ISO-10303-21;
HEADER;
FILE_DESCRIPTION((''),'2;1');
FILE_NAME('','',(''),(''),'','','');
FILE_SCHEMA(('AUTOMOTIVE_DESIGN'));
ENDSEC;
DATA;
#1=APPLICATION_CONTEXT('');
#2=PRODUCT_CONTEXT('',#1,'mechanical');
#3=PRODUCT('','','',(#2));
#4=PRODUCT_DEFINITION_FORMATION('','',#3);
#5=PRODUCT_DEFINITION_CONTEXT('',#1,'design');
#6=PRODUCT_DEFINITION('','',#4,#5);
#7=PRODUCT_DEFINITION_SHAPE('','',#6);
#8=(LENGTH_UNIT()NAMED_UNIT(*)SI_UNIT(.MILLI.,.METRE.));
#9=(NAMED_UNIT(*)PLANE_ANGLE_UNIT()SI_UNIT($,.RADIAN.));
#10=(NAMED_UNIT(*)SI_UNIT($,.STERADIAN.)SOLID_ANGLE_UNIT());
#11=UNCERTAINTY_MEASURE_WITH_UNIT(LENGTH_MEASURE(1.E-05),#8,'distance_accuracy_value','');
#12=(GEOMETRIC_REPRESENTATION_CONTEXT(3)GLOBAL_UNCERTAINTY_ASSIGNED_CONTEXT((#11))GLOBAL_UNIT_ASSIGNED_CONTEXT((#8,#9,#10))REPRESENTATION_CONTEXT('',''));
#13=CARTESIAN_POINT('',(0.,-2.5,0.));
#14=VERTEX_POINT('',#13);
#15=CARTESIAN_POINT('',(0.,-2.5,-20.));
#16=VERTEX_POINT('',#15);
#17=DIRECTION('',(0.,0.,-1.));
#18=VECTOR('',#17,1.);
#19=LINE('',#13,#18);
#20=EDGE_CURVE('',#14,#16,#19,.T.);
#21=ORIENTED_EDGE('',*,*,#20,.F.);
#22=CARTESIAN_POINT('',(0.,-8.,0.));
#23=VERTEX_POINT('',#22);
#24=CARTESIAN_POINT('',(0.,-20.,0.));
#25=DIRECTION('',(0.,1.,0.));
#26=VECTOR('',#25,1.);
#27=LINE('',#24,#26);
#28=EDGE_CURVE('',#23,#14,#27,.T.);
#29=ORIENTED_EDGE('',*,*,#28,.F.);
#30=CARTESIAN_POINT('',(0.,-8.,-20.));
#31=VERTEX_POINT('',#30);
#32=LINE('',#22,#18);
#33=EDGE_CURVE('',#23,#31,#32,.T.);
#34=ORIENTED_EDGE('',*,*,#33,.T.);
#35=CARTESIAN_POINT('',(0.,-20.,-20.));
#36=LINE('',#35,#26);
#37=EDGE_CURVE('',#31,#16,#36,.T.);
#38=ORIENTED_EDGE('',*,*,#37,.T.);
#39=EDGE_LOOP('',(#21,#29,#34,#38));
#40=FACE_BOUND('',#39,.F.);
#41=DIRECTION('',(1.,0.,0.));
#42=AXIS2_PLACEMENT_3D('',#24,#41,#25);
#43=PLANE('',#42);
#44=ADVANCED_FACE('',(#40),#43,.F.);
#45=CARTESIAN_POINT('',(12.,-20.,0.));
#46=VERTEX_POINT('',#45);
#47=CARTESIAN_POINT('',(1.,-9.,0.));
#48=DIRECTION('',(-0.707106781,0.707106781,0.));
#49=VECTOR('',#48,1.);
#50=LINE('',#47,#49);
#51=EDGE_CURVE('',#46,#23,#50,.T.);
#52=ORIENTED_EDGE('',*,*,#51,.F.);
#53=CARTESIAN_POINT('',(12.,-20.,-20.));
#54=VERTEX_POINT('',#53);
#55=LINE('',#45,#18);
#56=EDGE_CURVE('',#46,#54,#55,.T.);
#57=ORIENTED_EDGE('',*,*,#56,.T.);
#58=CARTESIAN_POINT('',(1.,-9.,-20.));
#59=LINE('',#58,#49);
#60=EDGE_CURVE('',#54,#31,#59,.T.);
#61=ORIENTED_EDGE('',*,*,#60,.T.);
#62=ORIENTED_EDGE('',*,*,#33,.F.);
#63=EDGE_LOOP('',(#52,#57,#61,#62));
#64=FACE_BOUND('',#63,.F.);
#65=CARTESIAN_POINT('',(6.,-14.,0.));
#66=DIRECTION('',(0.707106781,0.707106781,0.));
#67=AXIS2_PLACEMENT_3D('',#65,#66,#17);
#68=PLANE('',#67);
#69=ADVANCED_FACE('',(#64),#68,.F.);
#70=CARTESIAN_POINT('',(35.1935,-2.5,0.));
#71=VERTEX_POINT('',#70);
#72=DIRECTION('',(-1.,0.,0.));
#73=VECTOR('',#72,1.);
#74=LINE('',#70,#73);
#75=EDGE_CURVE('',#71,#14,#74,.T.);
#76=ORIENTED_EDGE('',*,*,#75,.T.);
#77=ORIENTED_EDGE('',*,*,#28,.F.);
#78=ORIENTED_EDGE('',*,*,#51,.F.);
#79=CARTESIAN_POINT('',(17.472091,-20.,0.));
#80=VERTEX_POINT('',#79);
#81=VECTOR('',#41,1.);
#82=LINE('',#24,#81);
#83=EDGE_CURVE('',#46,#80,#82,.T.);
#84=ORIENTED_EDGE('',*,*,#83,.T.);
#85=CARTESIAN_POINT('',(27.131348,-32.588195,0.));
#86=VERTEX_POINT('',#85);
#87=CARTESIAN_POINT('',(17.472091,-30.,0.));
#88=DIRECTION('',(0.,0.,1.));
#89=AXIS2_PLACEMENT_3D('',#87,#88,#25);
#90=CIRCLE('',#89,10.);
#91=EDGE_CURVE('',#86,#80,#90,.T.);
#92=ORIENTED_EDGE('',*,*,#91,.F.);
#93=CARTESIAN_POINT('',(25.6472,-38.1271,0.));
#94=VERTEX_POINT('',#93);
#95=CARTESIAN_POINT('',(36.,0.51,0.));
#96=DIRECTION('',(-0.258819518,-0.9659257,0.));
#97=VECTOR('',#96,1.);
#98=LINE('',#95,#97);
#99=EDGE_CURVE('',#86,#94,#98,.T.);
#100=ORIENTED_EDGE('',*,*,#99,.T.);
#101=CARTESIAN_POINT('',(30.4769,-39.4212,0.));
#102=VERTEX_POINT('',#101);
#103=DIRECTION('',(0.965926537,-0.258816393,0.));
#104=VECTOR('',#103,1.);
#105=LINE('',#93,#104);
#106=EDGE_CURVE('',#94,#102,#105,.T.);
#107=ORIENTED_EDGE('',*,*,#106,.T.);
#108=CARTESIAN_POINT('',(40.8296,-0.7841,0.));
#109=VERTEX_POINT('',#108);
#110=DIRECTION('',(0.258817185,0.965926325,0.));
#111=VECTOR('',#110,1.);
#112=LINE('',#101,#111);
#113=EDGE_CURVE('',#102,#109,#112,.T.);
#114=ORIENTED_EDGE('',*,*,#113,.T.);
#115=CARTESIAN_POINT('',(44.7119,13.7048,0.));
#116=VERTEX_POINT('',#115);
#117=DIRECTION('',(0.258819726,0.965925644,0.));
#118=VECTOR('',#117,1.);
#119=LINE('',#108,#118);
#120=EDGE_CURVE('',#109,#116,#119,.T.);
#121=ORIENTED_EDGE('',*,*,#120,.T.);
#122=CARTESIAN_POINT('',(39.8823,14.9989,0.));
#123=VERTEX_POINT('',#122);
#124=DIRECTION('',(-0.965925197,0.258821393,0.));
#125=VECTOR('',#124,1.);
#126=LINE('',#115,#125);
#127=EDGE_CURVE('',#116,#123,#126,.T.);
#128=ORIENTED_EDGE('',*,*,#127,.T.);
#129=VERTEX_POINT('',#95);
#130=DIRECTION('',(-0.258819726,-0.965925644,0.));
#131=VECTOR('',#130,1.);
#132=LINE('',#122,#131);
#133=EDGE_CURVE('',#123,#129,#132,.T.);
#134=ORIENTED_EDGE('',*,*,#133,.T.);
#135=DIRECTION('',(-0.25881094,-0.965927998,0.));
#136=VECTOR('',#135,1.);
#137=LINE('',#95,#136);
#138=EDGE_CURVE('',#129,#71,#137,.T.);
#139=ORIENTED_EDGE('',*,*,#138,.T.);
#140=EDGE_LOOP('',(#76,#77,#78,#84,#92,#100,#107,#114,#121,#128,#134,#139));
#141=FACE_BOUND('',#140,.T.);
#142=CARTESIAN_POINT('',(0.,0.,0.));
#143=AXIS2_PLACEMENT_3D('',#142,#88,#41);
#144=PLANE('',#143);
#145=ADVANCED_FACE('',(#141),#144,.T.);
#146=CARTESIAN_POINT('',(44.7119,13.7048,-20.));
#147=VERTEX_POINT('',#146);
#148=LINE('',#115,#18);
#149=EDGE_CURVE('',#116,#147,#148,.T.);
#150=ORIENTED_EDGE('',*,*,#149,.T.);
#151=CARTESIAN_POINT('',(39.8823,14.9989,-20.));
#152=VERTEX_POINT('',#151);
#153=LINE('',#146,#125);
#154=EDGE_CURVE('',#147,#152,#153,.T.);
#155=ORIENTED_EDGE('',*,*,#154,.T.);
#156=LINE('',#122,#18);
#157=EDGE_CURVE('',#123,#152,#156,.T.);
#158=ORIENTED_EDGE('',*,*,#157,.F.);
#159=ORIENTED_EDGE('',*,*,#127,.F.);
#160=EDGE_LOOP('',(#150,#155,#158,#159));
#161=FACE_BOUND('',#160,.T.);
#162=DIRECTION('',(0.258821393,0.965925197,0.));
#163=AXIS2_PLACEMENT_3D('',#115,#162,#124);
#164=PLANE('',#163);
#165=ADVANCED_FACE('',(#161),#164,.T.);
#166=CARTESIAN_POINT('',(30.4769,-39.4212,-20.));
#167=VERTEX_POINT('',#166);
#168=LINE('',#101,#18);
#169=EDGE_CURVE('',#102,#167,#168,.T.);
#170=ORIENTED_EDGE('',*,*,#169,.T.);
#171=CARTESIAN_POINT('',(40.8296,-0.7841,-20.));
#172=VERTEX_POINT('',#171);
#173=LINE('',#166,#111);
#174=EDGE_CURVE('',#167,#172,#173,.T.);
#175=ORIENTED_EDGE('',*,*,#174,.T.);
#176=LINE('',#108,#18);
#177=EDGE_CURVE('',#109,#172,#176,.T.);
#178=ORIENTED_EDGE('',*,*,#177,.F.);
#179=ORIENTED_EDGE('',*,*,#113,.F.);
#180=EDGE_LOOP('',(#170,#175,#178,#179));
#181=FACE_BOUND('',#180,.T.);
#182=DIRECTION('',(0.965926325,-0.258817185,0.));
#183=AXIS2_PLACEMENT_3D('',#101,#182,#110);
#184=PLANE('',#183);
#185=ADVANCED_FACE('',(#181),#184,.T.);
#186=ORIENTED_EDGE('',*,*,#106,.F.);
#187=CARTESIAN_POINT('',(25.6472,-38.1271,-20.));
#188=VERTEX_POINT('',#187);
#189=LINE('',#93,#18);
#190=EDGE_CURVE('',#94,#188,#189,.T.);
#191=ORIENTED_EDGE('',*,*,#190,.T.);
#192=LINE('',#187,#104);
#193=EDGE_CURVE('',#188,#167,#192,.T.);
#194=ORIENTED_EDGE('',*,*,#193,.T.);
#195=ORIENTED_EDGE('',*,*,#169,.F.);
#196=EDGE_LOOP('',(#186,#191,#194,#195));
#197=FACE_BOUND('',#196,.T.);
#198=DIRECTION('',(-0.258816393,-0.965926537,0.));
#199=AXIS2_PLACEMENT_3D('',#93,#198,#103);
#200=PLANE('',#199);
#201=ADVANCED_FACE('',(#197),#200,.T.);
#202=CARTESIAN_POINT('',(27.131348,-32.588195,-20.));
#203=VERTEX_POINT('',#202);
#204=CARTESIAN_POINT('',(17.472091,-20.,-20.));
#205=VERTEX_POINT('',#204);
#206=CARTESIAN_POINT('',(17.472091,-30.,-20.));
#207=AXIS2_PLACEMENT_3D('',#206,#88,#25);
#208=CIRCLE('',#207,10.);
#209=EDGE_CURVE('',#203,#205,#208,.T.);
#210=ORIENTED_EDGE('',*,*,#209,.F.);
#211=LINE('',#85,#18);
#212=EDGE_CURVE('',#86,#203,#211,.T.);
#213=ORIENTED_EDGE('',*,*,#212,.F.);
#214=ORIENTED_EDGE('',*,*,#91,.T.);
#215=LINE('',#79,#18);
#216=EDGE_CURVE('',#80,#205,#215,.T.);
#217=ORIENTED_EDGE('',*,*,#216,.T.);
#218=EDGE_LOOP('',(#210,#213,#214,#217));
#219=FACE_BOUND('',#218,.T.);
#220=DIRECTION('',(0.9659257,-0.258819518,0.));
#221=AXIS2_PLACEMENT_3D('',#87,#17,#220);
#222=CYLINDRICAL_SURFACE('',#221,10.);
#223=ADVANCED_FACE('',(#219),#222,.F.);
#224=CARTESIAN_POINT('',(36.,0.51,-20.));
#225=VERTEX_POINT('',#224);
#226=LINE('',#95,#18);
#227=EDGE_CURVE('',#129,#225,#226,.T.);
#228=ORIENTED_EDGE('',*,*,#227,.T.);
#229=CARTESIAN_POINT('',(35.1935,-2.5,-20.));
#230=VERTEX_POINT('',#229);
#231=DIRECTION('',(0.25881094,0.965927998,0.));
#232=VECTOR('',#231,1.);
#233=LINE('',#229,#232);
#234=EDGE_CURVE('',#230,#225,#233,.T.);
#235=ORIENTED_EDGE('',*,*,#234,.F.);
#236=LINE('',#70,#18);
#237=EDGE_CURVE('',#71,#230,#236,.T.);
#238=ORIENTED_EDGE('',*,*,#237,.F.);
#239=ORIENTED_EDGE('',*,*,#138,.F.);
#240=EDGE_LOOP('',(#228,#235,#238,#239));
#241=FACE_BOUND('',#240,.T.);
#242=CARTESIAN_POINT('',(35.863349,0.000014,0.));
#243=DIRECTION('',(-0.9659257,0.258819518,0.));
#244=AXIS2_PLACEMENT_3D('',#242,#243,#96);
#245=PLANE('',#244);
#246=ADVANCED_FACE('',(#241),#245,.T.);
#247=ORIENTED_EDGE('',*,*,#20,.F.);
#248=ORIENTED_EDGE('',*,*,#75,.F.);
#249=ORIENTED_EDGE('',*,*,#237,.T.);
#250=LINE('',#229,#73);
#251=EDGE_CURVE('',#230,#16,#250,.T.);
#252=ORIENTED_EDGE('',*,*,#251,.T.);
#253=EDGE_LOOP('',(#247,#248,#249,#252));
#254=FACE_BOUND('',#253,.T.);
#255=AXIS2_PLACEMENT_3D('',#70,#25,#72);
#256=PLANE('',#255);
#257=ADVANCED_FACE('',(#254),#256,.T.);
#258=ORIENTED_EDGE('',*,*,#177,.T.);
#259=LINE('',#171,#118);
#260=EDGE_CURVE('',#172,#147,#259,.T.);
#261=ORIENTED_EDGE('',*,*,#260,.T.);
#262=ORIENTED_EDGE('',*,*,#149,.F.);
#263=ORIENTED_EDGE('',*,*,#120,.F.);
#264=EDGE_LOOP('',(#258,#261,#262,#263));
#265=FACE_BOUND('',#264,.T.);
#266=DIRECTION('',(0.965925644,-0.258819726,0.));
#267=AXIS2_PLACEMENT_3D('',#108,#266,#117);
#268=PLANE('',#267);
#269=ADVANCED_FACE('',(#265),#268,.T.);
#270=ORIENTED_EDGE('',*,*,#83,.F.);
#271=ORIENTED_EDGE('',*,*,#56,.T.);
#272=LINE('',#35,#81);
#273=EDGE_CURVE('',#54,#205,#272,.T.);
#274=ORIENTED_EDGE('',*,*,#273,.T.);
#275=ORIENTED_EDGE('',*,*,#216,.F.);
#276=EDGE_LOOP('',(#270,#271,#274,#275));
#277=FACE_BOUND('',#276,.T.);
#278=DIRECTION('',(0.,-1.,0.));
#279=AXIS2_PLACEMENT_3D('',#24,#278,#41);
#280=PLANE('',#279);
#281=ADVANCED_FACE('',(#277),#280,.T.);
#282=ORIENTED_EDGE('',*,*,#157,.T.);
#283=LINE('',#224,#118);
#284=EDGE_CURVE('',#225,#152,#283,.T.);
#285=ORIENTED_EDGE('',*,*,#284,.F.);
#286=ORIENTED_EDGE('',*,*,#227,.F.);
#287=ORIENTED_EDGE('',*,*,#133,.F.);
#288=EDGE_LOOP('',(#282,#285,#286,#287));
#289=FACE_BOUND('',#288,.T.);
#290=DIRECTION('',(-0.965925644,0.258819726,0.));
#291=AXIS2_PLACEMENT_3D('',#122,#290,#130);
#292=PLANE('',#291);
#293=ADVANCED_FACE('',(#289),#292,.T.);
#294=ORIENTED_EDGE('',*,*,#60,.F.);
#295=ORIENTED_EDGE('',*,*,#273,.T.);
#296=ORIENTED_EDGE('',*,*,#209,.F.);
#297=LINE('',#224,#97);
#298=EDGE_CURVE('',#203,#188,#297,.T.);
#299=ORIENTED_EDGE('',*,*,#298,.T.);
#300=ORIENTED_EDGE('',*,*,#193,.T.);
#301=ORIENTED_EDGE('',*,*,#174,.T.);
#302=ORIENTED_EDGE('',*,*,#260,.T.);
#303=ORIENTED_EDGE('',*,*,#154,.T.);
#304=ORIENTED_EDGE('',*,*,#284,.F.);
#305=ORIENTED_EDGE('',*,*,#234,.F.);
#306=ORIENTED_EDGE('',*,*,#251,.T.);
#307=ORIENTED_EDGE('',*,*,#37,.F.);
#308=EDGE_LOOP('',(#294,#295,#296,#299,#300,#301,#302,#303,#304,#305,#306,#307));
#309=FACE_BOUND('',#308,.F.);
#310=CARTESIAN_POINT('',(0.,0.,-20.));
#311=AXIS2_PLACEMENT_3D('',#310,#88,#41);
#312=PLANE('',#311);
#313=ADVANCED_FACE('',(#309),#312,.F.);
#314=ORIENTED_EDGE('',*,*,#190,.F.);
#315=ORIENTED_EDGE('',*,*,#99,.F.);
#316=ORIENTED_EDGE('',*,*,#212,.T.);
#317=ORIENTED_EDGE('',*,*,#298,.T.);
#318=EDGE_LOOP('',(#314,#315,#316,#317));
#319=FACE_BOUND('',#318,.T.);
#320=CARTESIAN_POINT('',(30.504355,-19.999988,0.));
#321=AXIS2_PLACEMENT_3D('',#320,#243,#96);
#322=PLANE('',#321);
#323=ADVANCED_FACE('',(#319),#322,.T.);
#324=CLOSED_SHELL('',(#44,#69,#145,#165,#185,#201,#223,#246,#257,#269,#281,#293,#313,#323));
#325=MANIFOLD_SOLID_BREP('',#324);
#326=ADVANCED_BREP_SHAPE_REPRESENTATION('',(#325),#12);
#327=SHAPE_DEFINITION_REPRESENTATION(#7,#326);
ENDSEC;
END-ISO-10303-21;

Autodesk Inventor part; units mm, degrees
ref_plane "YZ Plane" through (0, 0, 0) normal (1, 0, 0) x (0, 1, 0)
sketch "Sketch1" plane through (0, 0, 0) normal (0, 0, 1) x (1, 0, 0)
  line L0 (36, 0.51) -> (25.6472, -38.1271)
  line L1 (36, 0.51) -> (76, 0.51) construction
  line L2 (36, 0.51) -> (25.6472, -38.1271) construction
  line L3 (25.6472, -38.1271) -> (30.4769, -39.4212)
  line L4 (30.4769, -39.4212) -> (40.8296, -0.7841)
  line L5 (40.8296, -0.7841) -> (36, 0.51)
  line L6 (36, 0.51) -> (40.8296, -0.7841)
  line L7 (40.8296, -0.7841) -> (44.7119, 13.7048)
  line L8 (44.7119, 13.7048) -> (39.8823, 14.9989)
  line L9 (39.8823, 14.9989) -> (36, 0.51)
  arc A0 (36, -1.5) -> (26, 8.5) centre (26, -1.5) ccw construction
  line L10 (39.0787, 12) -> (34.0787, 12)
  line L11 (34.0787, 12) -> (34.0787, 9)
  line L12 (34.0787, 9) -> (38.2749, 9)
  line L13 (14, -12.5) -> (26, -12.5) construction
  line L14 (0, -20) -> (30.5044, -20)
  line L15 (30.5044, -20) -> (35.8634, 0)
  line L16 (35.1935, -2.5) -> (0, -2.5)
  line L17 (35.1935, -2.5) -> (30.5044, -20)
  line L18 (0, -20) -> (0, -2.5)
  line L19 (-41.5, -2.5) -> (36, -2.5) construction
  line L20 (30.5044, -20) -> (35.1935, -2.5) construction
  point P0 (0, 0)
  point P1 (17.5967, -2.5)
  dimension "d0" = 40
  dimension "d1" = 105
  dimension "d2" = 5
  dimension "d3" = 15
  dimension "d5" = 5
  dimension "d6" = 3
  dimension "d7" = 11.49
  dimension "d20" = 17.5
  dimension "d21" = 35.1935
  dimension "d22" = 30.5044
ref_plane "Work Plane1" through (0, 0, -20) normal (0, 0, -1) x (0, 1, 0)
extrude "Extrusion1" add sketch "Sketch1" against normal up to surface (20 mm away) contours L5 L4 L3 L0 | L9 L8 L7 L5 | L0 L14 L18 L16
ref_plane "Work Plane6" through (36, 0, -14) normal (0, 0, 1) x (1, 0, 0)
ref_plane "Work Plane3" through (0, 0.51, -6) normal (0, 0, -1) x (0, 1, 0)
fillet "Fillet2" radius 10 1 edges at (30.5044, -20, -10)
chamfer "Chamfer1" distance 12 angle 45 1 edges at (0, -20, -10)
properties part number "Stand_Back"
